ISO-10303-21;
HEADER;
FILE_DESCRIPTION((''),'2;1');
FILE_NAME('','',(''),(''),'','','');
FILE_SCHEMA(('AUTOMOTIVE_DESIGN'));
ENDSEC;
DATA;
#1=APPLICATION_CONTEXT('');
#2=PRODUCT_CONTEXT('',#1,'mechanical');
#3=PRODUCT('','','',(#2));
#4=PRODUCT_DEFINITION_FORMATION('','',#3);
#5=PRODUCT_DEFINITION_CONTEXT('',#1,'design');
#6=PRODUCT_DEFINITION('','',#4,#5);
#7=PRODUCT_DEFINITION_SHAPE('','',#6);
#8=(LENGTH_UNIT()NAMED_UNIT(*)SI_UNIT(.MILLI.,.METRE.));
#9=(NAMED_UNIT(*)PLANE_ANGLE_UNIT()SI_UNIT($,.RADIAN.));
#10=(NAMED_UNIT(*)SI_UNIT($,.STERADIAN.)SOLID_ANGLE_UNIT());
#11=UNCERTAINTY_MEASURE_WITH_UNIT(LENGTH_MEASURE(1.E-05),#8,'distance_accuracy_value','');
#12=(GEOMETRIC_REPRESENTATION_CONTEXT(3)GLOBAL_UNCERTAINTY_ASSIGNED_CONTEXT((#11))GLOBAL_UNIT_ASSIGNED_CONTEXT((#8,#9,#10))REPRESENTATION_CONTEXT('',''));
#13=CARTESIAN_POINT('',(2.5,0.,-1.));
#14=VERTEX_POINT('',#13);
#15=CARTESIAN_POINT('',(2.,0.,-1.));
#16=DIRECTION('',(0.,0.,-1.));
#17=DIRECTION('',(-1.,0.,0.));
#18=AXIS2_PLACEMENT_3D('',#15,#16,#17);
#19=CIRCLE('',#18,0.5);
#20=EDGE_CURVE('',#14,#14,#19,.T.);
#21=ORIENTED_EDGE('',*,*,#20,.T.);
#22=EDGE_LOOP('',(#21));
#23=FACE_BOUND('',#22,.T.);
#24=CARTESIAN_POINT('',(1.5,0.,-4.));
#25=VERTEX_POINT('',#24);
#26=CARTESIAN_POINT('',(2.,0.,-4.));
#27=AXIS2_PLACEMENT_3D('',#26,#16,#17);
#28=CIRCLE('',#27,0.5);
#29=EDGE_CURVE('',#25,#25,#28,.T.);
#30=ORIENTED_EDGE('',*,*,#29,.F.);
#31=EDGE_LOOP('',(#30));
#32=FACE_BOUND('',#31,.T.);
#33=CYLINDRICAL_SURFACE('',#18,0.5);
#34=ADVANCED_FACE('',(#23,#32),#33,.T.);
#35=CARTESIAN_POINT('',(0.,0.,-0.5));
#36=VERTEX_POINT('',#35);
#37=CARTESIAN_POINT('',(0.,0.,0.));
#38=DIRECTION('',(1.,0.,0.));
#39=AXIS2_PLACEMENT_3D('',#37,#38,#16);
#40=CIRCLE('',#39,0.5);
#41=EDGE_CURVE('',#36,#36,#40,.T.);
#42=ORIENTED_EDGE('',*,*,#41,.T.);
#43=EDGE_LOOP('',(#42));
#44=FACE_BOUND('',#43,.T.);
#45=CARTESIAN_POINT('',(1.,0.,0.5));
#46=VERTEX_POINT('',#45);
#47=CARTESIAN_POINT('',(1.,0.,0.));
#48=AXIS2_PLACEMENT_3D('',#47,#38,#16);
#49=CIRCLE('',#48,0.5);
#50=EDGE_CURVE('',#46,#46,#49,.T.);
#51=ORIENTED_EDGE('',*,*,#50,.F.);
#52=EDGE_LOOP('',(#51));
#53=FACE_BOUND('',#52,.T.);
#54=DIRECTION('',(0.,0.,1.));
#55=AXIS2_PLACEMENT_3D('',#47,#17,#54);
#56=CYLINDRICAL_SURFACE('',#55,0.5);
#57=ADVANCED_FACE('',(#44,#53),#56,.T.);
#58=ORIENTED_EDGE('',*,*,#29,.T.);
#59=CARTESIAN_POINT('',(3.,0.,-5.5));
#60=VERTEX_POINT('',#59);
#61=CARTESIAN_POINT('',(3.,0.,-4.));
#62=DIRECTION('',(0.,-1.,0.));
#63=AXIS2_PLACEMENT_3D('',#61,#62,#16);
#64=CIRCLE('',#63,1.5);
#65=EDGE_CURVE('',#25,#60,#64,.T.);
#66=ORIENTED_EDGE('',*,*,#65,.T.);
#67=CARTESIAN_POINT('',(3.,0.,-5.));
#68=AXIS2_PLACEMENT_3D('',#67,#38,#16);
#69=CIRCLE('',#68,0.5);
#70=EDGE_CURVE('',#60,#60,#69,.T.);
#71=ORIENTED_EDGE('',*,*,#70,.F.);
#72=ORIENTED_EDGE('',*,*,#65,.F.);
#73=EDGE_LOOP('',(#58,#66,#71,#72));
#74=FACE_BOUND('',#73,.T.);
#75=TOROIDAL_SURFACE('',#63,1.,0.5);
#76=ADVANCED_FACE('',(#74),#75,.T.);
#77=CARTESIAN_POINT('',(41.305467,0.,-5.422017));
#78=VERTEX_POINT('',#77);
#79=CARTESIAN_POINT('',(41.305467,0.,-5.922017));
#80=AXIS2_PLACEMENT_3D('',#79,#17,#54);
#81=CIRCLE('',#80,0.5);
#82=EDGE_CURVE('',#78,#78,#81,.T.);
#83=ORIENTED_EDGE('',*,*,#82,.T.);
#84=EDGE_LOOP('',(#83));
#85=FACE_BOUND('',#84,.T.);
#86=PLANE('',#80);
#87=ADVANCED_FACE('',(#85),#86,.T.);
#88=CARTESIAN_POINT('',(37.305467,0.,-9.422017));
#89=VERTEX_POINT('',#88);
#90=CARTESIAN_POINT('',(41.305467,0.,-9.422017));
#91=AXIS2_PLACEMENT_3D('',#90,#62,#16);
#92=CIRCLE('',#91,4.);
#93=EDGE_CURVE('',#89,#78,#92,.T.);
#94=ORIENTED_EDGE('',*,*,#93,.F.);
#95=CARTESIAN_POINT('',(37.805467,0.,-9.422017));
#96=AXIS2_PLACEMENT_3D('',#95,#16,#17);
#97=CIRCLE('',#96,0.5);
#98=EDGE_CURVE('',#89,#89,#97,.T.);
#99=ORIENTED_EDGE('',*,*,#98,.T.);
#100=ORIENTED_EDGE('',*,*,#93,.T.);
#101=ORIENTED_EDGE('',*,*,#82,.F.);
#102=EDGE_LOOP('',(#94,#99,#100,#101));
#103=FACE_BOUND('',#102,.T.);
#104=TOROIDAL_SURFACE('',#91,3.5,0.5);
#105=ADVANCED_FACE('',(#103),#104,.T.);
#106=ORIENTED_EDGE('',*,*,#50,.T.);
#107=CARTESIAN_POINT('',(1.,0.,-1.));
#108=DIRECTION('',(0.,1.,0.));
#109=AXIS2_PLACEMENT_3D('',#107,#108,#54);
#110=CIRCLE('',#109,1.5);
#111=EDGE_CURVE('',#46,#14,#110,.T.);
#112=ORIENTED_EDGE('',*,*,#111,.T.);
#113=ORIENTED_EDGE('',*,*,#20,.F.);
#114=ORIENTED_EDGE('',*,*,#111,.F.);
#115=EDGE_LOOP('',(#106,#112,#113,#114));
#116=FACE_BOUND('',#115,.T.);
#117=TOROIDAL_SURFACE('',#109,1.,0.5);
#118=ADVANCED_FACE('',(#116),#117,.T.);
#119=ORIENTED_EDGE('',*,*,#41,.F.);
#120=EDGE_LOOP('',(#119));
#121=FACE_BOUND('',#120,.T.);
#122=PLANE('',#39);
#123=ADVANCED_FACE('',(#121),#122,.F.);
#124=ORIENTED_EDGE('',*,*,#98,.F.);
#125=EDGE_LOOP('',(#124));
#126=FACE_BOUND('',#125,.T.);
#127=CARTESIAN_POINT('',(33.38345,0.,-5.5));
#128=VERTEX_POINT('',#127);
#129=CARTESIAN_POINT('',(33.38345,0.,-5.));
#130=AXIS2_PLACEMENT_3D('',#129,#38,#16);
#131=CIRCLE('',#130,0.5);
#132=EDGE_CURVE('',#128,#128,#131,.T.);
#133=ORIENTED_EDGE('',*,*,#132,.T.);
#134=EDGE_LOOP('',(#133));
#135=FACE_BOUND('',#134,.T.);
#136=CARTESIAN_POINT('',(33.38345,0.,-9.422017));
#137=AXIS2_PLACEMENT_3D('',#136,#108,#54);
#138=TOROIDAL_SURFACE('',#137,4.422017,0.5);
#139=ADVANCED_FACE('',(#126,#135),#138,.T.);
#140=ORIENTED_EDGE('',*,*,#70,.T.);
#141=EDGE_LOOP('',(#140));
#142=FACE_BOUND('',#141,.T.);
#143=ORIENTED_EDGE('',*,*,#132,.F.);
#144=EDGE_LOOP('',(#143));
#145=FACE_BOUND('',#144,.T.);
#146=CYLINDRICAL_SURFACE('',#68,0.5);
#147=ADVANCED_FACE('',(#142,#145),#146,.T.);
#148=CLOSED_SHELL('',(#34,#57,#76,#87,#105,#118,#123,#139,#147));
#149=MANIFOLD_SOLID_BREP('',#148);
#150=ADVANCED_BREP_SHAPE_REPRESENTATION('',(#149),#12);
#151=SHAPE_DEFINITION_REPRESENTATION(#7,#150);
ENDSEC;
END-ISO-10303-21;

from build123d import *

# Parameters (mm, degrees)
SKETCH2_R = 0.5


with BuildPart() as part:
    # Sweep1: sweep along a path in Sketch1
    with BuildLine(Plane(origin=(0, 0, 0), x_dir=(1, 0, 0), z_dir=(0, 1, 0))) as sweep1_path:
        Line((0, 0), (1, 0))
        ThreePointArc((1, 0), (1.707106781, 0.292893219), (2, 1))
        Line((2, 1), (2, 4))
        ThreePointArc((2, 4), (2.292893219, 4.707106781), (3, 5))
        Line((3, 5), (33.38345031, 5))
        ThreePointArc((33.38345031, 5), (36.510288589, 6.295178823), (37.805467412, 9.422017102))
        ThreePointArc((37.805467412, 9.422017102), (43.780341146, 11.896890836), (41.305467412, 5.922017102))
    # Sketch2 → Sweep1 (sweep)
    with BuildSketch(Plane(origin=(0, 0, 0), x_dir=(0, 0, -1), z_dir=(1, 0, 0))):
        Circle(SKETCH2_R)
    sweep(path=sweep1_path.line)


solid = part.part
